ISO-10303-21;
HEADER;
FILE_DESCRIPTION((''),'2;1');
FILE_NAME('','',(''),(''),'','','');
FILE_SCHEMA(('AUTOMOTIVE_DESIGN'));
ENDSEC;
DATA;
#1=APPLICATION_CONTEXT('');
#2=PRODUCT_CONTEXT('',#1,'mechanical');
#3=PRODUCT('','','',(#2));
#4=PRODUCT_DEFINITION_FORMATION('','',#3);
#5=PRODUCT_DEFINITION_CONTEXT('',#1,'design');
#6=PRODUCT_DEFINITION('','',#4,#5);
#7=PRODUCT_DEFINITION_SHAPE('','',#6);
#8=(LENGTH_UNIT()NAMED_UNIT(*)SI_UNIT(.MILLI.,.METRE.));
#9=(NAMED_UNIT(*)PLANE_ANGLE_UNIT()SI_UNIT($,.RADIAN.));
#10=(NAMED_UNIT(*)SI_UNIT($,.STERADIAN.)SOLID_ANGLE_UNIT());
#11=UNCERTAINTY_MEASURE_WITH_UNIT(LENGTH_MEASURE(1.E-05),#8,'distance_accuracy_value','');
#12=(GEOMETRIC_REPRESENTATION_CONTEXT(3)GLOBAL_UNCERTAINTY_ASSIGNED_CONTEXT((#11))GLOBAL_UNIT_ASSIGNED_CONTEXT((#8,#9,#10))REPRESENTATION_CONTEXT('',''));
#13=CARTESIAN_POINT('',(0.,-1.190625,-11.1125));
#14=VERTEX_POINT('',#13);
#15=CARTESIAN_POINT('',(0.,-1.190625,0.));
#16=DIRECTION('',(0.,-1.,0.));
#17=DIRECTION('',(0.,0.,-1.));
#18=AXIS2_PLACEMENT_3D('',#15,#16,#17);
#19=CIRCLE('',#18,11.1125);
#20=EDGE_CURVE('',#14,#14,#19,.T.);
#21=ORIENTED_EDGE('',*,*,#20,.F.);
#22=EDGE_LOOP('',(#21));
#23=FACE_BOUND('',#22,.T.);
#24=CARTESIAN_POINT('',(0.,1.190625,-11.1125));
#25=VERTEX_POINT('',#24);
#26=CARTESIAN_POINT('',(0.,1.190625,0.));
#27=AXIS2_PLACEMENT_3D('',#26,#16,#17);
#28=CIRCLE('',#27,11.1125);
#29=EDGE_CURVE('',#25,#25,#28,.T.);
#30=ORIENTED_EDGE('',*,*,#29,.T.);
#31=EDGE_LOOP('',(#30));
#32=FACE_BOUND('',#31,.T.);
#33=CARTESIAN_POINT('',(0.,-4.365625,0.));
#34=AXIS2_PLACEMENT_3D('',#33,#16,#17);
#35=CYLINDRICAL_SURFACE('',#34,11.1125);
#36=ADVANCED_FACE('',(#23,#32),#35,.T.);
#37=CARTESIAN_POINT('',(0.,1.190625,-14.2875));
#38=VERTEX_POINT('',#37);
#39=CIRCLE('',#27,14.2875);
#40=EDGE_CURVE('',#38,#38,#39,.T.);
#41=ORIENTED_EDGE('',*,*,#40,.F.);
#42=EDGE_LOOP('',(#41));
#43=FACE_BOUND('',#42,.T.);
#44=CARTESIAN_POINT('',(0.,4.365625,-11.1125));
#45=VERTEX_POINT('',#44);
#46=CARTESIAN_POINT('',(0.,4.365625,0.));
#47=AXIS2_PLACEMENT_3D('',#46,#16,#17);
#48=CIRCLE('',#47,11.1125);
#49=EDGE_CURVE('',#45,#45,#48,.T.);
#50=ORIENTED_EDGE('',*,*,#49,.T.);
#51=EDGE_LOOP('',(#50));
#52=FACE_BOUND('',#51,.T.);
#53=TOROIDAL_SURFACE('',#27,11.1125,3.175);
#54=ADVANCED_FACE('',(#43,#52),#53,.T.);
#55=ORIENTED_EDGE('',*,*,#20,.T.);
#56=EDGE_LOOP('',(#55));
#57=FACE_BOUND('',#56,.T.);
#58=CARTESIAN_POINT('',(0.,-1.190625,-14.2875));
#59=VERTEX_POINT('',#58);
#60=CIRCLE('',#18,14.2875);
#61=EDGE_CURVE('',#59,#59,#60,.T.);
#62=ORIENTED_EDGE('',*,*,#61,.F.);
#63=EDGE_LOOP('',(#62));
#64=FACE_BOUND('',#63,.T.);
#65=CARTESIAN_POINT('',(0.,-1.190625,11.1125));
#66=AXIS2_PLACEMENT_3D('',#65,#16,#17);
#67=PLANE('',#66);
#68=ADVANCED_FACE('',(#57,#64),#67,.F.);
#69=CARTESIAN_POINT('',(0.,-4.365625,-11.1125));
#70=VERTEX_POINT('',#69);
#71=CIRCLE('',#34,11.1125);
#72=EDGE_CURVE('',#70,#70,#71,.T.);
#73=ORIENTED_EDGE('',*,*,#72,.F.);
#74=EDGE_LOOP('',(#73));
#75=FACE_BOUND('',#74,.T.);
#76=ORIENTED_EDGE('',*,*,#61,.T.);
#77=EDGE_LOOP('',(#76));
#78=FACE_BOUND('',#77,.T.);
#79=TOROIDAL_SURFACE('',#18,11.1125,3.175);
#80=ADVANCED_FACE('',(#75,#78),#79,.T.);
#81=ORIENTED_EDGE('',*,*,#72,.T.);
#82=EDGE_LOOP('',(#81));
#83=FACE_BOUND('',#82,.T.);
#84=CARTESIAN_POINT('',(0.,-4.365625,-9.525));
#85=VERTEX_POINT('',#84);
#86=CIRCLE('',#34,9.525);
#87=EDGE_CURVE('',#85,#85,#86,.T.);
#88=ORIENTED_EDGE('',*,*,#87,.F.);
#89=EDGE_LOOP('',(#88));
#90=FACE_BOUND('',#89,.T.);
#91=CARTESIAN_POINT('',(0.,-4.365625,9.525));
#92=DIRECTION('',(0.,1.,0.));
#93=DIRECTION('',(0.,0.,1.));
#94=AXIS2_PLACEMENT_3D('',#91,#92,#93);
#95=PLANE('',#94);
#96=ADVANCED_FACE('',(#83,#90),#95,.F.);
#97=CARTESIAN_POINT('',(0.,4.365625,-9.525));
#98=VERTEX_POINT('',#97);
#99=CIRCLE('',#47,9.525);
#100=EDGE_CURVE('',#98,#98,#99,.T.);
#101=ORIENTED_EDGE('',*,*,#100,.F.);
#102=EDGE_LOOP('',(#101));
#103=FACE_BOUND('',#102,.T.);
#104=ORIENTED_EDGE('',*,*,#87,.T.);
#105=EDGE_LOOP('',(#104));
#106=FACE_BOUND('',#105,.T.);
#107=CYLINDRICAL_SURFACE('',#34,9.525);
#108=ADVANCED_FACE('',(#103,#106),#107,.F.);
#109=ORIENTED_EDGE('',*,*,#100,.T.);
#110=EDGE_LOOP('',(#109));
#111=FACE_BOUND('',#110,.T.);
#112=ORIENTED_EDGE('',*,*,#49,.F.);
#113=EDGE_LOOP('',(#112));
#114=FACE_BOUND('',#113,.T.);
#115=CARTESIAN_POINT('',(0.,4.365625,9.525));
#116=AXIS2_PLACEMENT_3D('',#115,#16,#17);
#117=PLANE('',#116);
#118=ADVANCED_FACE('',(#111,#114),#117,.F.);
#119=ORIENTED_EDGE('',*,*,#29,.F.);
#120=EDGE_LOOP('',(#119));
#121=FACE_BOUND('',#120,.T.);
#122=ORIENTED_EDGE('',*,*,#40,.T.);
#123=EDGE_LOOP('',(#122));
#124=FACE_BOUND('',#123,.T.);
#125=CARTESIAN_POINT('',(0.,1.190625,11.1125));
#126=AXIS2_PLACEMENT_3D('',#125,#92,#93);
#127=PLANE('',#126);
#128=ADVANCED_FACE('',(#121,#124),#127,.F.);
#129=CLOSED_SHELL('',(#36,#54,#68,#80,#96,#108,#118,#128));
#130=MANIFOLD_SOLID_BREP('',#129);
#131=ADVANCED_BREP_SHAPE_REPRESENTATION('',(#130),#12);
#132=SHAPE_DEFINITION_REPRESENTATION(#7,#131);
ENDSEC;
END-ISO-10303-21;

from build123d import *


with BuildPart() as part:
    # Sketch2 → Revolve1 (revolve)
    with BuildSketch(Plane(origin=(0, 0, 0), x_dir=(0, 0, -1), z_dir=(1, 0, 0)), mode=Mode.PRIVATE) as revolve1_sk:
        with BuildLine():
            Line((-9.525, -4.365625), (-9.525, 4.365625))
            Line((-9.525, 4.365625), (-11.1125, 4.365625))
            ThreePointArc((-11.1125, 4.365625), (-13.35756403, 3.43568903), (-14.2875, 1.190625))
            Line((-14.2875, 1.190625), (-11.1125, 1.190625))
            Line((-11.1125, 1.190625), (-11.1125, -1.190625))
            Line((-11.1125, -1.190625), (-14.2875, -1.190625))
            ThreePointArc((-14.2875, -1.190625), (-13.35756403, -3.43568903), (-11.1125, -4.365625))
            Line((-11.1125, -4.365625), (-9.525, -4.365625))
        make_face()
    revolve(revolve1_sk.sketch.rotate(Axis((0, -4.365625, 0), (0, 1, 0)), 180), axis=Axis((0, -4.365625, 0), (0, 1, 0)))


solid = part.part
